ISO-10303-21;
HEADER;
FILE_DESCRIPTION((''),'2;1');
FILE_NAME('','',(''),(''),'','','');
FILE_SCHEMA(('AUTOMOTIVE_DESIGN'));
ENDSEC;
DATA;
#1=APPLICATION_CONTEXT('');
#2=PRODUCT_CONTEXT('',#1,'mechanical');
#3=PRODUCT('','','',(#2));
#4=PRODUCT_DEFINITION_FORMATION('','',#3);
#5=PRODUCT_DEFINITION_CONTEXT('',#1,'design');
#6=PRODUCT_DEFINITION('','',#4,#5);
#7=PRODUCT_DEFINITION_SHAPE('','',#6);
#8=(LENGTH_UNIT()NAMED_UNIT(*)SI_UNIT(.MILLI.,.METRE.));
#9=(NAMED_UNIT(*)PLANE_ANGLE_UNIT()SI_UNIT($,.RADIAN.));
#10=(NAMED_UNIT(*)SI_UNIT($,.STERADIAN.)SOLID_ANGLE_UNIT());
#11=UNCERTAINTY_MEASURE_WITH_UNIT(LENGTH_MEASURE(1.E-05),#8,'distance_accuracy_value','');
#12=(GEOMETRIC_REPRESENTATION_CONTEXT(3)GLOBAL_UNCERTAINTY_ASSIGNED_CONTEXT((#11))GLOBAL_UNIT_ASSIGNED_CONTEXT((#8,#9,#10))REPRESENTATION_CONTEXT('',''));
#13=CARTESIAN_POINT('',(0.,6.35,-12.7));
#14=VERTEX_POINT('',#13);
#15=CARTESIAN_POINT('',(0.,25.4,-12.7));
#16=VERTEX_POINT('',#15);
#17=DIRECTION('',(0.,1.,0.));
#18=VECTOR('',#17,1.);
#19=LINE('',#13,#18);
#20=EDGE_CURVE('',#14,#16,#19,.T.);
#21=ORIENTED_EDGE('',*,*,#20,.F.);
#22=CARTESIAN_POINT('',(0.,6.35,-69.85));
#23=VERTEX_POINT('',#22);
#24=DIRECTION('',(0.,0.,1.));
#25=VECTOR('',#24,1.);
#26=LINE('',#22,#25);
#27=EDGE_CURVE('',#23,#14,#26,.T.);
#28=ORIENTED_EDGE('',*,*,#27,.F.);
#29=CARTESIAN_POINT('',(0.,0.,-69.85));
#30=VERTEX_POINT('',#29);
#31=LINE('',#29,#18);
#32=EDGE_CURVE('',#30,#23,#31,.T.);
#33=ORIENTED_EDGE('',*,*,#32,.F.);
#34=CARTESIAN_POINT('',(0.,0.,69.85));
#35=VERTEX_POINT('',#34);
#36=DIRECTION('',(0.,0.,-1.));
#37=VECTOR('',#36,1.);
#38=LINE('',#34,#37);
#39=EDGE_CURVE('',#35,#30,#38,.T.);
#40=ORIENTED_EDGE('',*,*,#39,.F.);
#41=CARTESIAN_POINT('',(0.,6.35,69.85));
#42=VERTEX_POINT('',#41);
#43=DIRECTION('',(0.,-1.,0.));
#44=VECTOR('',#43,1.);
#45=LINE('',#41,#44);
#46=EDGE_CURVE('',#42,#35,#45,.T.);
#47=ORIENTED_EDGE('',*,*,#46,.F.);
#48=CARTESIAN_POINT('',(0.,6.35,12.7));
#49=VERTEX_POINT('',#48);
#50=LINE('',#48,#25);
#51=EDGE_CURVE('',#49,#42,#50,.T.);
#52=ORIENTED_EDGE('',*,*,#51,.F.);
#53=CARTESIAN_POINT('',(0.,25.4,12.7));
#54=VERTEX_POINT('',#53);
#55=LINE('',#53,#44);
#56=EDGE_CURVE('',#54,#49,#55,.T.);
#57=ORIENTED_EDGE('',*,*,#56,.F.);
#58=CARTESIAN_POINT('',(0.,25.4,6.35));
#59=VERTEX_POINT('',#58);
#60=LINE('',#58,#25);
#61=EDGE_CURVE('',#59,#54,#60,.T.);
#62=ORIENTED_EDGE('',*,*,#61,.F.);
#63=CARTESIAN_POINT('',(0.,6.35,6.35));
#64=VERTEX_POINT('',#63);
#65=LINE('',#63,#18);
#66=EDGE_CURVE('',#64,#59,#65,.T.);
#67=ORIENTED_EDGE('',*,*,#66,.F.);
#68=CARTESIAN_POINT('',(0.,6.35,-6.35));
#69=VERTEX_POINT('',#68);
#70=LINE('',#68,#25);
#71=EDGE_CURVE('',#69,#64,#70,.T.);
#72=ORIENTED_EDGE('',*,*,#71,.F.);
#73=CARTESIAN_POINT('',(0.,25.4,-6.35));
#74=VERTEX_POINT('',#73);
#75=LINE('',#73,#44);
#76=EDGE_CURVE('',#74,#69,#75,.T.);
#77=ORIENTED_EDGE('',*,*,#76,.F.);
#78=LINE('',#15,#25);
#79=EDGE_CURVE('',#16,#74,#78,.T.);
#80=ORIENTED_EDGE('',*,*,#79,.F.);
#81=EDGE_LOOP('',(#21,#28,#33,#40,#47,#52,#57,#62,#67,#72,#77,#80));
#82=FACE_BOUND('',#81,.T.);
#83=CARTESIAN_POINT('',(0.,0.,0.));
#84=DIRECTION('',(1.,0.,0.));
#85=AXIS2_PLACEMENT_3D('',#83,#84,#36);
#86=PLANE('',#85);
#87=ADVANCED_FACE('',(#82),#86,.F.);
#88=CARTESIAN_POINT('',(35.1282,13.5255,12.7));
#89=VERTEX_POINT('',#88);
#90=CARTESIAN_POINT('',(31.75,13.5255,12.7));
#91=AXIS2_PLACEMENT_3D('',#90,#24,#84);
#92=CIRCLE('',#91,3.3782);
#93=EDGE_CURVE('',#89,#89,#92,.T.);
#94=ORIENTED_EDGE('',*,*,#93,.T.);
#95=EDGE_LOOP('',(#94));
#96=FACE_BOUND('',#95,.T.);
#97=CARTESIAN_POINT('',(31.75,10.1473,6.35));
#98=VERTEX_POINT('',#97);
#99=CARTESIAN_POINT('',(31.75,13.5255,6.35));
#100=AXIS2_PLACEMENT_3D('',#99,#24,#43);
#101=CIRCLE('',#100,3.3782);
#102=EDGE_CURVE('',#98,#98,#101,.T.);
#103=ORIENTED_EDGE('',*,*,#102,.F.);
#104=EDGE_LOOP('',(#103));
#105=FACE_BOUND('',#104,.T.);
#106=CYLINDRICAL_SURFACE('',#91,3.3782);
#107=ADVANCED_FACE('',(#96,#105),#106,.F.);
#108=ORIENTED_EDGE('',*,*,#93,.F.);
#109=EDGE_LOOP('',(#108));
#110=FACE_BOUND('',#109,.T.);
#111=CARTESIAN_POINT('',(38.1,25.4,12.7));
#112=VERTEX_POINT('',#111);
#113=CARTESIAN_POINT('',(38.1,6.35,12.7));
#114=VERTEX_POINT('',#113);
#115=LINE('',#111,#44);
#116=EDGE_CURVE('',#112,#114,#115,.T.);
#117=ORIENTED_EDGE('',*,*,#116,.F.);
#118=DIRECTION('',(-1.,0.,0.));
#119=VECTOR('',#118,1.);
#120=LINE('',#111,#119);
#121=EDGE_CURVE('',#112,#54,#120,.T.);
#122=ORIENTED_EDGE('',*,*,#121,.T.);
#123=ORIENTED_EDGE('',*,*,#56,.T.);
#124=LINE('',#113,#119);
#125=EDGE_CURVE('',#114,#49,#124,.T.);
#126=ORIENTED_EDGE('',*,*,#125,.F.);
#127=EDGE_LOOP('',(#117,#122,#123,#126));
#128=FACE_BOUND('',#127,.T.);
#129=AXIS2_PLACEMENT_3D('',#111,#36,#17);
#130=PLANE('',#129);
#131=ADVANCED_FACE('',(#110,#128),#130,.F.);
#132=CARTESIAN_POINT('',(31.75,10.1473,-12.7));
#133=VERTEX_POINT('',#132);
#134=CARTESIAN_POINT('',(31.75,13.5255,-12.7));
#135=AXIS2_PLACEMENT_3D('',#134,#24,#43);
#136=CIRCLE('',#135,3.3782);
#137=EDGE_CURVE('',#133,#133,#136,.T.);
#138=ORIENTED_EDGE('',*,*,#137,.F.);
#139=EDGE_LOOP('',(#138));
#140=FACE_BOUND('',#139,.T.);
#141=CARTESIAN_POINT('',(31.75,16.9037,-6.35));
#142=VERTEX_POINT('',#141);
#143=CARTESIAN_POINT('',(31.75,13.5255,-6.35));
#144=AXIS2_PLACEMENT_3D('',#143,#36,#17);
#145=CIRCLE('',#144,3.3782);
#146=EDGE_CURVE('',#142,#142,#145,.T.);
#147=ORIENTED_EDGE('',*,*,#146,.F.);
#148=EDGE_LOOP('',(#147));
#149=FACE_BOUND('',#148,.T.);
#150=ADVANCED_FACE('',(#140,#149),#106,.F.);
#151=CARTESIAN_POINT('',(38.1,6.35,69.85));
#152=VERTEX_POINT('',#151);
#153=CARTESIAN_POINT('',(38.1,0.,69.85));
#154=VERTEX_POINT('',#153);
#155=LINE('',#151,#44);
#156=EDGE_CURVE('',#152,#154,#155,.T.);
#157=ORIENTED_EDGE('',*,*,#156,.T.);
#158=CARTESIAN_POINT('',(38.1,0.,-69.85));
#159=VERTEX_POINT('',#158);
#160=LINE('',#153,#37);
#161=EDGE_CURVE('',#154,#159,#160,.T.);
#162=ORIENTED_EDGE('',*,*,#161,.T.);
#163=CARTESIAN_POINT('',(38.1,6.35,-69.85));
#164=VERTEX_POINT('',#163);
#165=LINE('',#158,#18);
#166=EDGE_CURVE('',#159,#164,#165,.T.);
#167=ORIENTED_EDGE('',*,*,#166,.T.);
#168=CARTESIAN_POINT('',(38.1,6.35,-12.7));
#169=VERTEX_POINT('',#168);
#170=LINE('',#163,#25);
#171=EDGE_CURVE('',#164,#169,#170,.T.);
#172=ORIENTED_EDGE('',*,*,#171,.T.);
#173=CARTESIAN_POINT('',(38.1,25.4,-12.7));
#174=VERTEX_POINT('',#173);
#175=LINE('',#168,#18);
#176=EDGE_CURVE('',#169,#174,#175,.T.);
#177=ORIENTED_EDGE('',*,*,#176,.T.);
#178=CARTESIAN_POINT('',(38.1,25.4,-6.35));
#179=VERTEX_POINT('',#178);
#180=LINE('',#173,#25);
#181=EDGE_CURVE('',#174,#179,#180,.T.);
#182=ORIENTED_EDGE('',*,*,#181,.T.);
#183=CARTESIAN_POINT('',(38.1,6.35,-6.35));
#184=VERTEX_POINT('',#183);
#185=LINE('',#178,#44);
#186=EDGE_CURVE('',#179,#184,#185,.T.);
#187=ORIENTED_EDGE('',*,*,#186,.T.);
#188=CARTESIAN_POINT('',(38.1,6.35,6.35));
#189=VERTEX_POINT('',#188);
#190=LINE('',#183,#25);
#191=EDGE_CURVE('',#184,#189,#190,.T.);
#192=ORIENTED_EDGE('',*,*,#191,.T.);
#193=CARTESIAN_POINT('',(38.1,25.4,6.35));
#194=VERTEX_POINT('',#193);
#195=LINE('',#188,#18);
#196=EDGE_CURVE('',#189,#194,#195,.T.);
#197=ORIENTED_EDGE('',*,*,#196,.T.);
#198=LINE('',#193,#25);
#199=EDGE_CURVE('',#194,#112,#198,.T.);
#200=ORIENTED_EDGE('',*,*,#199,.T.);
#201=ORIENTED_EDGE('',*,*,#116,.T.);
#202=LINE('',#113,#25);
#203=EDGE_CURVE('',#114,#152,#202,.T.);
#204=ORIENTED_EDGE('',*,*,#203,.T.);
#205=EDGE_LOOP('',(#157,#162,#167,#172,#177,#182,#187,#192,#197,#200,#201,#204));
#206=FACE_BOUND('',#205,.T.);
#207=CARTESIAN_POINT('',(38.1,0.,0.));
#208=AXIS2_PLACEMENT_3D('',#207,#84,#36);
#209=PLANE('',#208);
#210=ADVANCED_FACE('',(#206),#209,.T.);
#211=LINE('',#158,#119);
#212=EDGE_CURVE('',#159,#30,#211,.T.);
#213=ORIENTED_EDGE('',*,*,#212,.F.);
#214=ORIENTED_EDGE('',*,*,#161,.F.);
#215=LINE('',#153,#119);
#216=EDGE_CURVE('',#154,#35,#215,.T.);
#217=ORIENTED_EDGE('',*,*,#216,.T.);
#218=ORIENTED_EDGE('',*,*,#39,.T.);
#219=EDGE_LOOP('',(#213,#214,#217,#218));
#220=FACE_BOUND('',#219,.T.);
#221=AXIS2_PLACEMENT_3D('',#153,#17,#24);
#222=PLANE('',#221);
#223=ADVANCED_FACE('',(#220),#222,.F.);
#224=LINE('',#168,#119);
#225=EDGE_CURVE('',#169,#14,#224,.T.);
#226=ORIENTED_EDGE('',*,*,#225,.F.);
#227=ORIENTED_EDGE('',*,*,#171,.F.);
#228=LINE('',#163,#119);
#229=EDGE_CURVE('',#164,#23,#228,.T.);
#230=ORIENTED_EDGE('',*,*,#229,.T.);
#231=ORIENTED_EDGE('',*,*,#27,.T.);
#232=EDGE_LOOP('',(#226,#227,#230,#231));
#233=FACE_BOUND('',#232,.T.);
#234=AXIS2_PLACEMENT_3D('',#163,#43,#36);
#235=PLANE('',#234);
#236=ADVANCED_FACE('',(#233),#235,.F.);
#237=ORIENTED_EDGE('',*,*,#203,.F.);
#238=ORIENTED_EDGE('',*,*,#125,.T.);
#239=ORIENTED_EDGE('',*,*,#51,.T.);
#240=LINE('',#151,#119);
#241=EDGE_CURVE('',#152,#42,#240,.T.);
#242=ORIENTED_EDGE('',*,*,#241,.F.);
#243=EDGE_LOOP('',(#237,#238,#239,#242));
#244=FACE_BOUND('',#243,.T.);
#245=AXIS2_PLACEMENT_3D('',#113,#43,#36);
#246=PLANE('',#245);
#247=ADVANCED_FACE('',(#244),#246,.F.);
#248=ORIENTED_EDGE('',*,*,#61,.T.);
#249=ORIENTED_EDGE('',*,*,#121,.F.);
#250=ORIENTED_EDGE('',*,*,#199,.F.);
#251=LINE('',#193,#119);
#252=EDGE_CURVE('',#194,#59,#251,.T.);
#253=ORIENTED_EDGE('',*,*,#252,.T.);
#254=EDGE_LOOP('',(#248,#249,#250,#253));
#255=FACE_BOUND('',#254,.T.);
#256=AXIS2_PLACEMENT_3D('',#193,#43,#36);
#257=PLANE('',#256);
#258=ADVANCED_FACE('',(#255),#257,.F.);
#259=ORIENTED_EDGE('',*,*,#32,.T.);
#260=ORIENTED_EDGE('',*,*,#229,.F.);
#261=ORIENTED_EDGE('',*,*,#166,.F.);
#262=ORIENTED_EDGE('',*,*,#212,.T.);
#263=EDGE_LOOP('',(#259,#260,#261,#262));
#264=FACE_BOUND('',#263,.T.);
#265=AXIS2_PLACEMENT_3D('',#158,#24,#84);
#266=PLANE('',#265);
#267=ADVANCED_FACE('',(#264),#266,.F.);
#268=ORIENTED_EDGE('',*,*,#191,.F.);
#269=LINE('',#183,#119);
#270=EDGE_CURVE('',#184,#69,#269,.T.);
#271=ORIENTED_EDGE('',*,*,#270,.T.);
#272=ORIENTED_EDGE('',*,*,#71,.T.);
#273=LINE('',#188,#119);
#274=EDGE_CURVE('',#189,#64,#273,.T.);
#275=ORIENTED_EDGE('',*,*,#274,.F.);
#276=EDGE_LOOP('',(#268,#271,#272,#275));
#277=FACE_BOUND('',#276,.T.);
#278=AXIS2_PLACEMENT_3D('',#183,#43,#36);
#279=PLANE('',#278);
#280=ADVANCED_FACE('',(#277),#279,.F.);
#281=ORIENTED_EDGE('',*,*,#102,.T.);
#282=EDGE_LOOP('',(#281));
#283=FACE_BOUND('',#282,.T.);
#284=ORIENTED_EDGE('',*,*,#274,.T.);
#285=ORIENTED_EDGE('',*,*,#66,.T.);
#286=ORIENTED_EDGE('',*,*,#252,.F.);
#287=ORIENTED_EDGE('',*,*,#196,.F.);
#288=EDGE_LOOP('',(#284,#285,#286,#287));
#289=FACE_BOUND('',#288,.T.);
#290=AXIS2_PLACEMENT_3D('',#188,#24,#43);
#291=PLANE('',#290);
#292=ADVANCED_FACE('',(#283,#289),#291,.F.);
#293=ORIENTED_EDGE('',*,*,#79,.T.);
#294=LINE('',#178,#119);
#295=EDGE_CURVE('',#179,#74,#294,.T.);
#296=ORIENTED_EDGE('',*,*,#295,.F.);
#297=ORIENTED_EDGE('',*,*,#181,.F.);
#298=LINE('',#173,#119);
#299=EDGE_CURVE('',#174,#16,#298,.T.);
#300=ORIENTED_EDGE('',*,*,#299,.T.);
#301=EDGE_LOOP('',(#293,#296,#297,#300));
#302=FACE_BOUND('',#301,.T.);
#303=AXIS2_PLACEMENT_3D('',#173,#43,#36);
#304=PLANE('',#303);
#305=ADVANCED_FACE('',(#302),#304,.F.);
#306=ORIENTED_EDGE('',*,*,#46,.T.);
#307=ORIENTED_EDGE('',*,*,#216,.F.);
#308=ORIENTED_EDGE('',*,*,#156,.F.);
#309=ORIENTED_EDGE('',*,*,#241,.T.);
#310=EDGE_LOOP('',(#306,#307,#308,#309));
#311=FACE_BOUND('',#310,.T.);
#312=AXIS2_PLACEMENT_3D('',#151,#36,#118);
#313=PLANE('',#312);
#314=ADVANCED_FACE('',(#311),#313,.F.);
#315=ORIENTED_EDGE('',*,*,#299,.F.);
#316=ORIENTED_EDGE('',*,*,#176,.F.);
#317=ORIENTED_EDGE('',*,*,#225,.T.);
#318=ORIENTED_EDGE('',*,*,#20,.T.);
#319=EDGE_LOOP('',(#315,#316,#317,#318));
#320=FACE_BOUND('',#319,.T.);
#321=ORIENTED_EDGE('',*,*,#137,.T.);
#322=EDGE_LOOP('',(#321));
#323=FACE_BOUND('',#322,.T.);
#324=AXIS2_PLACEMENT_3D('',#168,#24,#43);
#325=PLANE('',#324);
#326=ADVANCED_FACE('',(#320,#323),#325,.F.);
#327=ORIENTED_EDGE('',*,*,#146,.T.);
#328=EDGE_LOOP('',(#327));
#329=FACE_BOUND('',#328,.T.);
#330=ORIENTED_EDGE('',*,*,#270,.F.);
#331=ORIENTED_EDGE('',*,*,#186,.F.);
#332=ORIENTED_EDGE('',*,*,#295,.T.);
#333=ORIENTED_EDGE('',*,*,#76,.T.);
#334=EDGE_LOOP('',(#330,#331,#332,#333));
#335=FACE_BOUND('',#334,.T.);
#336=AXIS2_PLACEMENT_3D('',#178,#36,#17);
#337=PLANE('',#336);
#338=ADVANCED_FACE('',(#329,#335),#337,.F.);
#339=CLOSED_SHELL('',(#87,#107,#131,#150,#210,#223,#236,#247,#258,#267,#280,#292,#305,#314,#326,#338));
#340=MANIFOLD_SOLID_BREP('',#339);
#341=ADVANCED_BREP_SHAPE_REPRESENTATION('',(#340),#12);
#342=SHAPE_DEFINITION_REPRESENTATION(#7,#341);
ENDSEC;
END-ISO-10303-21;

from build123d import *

# Parameters (mm, degrees)
BOSS_EXTRUDE1_DEPTH     = 38.1
F_1_4_CLEARANCE_HOLE3_D = 6.7564


with BuildPart() as part:
    # Sketch1 → Boss-Extrude1 (new body)
    with BuildSketch(Plane(origin=(0, 0, 0), x_dir=(0, 0, -1), z_dir=(1, 0, 0))):
        Polygon((-69.85, 0), (69.85, 0), (69.85, 6.35), (12.7, 6.35), (12.7, 25.4), (6.35, 25.4), (6.35, 6.35), (-6.35, 6.35), (-6.35, 25.4), (-12.7, 25.4), (-12.7, 6.35), (-69.85, 6.35), align=None)
    extrude(amount=BOSS_EXTRUDE1_DEPTH)

    # 1/4 Clearance Hole3 (through all)
    with Locations(Plane.XY.offset(12.7)):
        with Locations((31.75, 13.5255)):
            Hole(F_1_4_CLEARANCE_HOLE3_D / 2)


solid = part.part
